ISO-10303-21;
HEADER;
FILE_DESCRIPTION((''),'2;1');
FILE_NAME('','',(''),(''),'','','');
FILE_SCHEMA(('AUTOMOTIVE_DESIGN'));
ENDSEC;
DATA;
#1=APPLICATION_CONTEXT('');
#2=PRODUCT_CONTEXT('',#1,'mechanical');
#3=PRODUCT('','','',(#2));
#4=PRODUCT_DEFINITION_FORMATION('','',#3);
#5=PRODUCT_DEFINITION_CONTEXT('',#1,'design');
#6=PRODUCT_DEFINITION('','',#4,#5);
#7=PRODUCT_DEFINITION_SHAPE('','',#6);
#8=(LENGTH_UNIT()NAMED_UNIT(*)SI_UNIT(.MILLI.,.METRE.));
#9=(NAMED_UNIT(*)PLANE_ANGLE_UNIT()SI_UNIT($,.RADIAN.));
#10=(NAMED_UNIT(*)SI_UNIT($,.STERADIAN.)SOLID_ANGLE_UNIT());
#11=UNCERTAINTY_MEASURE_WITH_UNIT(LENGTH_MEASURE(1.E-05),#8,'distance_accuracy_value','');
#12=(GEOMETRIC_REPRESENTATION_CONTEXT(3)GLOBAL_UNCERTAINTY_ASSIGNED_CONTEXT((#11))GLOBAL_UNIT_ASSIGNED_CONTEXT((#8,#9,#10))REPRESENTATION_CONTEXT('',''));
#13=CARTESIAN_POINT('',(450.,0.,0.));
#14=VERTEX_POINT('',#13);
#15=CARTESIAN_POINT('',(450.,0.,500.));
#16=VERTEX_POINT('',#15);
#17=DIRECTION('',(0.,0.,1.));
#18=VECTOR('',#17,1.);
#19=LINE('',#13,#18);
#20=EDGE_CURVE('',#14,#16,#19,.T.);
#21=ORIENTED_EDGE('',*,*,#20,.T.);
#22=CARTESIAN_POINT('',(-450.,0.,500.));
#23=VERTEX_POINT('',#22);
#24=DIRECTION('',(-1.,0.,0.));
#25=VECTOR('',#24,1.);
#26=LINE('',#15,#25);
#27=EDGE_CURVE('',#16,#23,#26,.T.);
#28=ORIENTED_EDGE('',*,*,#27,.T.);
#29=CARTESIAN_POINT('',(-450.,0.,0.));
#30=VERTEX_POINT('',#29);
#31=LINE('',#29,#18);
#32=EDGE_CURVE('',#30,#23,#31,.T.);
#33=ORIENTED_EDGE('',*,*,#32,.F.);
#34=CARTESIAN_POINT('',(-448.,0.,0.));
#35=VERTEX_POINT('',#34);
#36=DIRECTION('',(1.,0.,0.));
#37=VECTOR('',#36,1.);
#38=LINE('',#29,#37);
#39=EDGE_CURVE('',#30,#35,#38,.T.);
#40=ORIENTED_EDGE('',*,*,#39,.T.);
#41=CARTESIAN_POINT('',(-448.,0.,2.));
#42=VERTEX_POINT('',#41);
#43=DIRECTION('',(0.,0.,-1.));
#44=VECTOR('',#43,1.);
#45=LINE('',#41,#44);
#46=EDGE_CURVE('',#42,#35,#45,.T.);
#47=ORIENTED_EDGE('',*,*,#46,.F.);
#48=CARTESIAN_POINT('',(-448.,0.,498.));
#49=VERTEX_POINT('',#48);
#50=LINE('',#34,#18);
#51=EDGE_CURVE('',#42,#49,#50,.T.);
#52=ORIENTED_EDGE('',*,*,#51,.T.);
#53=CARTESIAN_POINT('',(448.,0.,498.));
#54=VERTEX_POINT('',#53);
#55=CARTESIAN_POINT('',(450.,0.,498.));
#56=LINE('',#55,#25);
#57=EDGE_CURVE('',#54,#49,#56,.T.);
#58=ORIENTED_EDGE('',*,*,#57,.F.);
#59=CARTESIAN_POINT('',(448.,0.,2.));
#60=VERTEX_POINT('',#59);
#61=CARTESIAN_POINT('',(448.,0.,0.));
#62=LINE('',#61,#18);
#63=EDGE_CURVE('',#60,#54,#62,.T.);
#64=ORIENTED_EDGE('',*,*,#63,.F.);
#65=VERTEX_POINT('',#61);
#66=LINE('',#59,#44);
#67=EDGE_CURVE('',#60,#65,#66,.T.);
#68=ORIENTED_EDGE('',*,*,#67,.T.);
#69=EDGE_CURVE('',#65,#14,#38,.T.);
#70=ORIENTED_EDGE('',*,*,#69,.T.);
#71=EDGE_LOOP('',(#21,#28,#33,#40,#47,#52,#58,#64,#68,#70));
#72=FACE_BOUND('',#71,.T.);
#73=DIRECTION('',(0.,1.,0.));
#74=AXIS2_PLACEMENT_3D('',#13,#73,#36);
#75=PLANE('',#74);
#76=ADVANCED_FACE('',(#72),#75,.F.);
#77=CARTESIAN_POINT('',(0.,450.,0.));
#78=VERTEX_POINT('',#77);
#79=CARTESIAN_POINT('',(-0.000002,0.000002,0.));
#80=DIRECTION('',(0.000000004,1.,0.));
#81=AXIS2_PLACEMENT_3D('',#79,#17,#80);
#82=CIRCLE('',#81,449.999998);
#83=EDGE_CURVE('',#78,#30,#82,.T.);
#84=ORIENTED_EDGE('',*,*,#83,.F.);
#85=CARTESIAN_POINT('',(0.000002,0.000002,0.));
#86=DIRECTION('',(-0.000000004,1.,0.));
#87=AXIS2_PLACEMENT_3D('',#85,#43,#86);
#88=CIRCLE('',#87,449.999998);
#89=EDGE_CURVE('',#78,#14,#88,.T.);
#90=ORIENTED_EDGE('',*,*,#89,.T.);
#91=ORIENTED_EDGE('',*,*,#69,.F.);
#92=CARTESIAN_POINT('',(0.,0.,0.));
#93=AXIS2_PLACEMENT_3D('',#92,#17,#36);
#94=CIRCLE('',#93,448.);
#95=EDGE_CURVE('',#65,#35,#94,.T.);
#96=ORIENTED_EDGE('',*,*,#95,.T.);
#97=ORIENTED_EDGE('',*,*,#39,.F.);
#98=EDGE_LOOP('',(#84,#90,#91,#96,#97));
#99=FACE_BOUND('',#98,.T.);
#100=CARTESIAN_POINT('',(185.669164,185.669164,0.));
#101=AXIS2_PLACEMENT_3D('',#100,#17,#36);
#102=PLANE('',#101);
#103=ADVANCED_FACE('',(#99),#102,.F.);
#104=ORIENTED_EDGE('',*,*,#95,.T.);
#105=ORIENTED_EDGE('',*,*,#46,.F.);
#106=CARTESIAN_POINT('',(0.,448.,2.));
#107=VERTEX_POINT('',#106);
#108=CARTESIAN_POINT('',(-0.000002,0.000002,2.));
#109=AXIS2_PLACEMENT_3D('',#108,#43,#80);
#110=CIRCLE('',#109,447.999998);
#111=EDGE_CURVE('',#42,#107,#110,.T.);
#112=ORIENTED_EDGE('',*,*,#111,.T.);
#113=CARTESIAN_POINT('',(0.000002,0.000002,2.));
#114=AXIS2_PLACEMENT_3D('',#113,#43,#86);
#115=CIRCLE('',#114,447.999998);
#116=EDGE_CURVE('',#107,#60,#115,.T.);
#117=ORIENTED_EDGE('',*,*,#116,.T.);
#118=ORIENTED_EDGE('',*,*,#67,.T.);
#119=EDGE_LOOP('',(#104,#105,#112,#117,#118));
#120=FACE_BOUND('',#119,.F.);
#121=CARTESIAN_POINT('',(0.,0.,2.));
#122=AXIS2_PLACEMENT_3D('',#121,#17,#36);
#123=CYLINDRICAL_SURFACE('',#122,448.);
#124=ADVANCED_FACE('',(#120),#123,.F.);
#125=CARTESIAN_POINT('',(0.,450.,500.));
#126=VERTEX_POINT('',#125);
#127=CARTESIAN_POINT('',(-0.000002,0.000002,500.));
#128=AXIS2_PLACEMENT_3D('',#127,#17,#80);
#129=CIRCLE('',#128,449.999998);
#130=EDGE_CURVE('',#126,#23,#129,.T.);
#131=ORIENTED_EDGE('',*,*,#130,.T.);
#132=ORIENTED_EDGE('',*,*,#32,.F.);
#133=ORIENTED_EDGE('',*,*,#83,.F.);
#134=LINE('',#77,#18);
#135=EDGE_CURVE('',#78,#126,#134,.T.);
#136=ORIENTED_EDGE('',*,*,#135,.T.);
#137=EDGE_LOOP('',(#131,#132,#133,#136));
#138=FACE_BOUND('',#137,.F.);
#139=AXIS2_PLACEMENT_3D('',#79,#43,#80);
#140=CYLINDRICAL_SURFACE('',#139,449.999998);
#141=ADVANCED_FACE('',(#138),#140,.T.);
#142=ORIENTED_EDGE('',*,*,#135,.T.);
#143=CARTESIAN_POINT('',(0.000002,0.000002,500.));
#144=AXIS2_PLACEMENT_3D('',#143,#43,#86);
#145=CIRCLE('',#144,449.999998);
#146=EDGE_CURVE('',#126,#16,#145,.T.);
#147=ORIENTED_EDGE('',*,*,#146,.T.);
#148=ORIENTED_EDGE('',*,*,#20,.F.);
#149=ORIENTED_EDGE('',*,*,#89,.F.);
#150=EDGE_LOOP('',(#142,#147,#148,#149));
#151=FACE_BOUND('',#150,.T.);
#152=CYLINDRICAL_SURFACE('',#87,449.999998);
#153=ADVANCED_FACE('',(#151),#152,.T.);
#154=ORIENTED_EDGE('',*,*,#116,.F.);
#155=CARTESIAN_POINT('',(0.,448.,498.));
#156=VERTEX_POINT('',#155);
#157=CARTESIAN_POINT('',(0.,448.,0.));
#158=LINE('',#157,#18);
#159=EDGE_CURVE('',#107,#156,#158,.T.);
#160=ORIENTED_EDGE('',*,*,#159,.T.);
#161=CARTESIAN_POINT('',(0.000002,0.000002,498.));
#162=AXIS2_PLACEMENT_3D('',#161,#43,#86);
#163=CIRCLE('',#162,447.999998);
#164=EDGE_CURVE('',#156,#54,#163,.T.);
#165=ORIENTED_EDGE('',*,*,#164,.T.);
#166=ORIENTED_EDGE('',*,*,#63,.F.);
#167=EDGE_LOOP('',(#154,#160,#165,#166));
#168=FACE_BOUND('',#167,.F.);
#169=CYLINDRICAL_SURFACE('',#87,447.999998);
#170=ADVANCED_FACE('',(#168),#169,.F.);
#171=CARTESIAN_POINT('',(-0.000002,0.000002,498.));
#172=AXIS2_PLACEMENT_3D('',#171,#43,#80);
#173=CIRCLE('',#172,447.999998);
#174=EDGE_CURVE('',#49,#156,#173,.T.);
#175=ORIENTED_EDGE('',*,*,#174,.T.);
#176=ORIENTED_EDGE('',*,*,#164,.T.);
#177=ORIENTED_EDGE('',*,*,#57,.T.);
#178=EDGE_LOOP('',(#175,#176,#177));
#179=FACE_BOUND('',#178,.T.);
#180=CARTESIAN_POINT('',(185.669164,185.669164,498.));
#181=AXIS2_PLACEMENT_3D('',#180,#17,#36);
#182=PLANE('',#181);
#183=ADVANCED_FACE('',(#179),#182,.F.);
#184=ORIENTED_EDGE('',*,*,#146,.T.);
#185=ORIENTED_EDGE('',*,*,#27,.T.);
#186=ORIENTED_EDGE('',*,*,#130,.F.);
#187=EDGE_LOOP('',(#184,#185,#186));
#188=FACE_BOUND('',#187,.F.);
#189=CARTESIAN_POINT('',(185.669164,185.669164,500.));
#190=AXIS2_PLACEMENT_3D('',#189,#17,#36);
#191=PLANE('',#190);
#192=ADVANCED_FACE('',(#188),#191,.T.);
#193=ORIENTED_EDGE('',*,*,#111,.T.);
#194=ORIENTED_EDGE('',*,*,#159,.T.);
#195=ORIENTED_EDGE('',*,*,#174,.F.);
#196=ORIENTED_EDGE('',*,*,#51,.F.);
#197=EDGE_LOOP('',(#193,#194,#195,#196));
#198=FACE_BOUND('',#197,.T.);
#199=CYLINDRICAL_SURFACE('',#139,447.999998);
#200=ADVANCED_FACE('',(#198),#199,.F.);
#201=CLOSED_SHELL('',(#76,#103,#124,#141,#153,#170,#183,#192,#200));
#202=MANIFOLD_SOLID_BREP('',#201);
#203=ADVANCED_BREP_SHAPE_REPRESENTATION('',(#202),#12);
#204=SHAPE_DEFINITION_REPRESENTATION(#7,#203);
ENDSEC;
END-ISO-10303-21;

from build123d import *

# Parameters (mm, degrees)
F1_DEPTH = 500
F3_T     = -2
F5_DEPTH = 2


with BuildPart() as f1:
    # F0 (on Top) → F1 (new body)
    with BuildSketch(Plane.XY):
        with BuildLine():
            Line((-450, 0), (0, 0))
            Line((0, 0), (0, 450))
            ThreePointArc((0, 450), (-318.198052, 318.198052), (-450, 0))
        make_face()
    extrude(amount=F1_DEPTH)

    # F2: F1 across plane


with BuildPart() as f1_1:
    add(f1.part)
    add(f1.part.mirror(Plane.YZ))

    # F3
    f3_openings = [f1_1.faces().sort_by_distance(p)[0] for p in [
        (0, 0, 250),
    ]]
    offset(amount=F3_T, openings=f3_openings)

    # F4 (on face) → F5 (cut, through all)
    with BuildSketch(Plane.XY.offset(2)):
        with BuildLine():
            ThreePointArc((448, 0), (0, 448), (-448, 0))
            Line((-448, 0), (448, 0))
        make_face()
    extrude(amount=-F5_DEPTH, mode=Mode.SUBTRACT)


solid = f1_1.part
